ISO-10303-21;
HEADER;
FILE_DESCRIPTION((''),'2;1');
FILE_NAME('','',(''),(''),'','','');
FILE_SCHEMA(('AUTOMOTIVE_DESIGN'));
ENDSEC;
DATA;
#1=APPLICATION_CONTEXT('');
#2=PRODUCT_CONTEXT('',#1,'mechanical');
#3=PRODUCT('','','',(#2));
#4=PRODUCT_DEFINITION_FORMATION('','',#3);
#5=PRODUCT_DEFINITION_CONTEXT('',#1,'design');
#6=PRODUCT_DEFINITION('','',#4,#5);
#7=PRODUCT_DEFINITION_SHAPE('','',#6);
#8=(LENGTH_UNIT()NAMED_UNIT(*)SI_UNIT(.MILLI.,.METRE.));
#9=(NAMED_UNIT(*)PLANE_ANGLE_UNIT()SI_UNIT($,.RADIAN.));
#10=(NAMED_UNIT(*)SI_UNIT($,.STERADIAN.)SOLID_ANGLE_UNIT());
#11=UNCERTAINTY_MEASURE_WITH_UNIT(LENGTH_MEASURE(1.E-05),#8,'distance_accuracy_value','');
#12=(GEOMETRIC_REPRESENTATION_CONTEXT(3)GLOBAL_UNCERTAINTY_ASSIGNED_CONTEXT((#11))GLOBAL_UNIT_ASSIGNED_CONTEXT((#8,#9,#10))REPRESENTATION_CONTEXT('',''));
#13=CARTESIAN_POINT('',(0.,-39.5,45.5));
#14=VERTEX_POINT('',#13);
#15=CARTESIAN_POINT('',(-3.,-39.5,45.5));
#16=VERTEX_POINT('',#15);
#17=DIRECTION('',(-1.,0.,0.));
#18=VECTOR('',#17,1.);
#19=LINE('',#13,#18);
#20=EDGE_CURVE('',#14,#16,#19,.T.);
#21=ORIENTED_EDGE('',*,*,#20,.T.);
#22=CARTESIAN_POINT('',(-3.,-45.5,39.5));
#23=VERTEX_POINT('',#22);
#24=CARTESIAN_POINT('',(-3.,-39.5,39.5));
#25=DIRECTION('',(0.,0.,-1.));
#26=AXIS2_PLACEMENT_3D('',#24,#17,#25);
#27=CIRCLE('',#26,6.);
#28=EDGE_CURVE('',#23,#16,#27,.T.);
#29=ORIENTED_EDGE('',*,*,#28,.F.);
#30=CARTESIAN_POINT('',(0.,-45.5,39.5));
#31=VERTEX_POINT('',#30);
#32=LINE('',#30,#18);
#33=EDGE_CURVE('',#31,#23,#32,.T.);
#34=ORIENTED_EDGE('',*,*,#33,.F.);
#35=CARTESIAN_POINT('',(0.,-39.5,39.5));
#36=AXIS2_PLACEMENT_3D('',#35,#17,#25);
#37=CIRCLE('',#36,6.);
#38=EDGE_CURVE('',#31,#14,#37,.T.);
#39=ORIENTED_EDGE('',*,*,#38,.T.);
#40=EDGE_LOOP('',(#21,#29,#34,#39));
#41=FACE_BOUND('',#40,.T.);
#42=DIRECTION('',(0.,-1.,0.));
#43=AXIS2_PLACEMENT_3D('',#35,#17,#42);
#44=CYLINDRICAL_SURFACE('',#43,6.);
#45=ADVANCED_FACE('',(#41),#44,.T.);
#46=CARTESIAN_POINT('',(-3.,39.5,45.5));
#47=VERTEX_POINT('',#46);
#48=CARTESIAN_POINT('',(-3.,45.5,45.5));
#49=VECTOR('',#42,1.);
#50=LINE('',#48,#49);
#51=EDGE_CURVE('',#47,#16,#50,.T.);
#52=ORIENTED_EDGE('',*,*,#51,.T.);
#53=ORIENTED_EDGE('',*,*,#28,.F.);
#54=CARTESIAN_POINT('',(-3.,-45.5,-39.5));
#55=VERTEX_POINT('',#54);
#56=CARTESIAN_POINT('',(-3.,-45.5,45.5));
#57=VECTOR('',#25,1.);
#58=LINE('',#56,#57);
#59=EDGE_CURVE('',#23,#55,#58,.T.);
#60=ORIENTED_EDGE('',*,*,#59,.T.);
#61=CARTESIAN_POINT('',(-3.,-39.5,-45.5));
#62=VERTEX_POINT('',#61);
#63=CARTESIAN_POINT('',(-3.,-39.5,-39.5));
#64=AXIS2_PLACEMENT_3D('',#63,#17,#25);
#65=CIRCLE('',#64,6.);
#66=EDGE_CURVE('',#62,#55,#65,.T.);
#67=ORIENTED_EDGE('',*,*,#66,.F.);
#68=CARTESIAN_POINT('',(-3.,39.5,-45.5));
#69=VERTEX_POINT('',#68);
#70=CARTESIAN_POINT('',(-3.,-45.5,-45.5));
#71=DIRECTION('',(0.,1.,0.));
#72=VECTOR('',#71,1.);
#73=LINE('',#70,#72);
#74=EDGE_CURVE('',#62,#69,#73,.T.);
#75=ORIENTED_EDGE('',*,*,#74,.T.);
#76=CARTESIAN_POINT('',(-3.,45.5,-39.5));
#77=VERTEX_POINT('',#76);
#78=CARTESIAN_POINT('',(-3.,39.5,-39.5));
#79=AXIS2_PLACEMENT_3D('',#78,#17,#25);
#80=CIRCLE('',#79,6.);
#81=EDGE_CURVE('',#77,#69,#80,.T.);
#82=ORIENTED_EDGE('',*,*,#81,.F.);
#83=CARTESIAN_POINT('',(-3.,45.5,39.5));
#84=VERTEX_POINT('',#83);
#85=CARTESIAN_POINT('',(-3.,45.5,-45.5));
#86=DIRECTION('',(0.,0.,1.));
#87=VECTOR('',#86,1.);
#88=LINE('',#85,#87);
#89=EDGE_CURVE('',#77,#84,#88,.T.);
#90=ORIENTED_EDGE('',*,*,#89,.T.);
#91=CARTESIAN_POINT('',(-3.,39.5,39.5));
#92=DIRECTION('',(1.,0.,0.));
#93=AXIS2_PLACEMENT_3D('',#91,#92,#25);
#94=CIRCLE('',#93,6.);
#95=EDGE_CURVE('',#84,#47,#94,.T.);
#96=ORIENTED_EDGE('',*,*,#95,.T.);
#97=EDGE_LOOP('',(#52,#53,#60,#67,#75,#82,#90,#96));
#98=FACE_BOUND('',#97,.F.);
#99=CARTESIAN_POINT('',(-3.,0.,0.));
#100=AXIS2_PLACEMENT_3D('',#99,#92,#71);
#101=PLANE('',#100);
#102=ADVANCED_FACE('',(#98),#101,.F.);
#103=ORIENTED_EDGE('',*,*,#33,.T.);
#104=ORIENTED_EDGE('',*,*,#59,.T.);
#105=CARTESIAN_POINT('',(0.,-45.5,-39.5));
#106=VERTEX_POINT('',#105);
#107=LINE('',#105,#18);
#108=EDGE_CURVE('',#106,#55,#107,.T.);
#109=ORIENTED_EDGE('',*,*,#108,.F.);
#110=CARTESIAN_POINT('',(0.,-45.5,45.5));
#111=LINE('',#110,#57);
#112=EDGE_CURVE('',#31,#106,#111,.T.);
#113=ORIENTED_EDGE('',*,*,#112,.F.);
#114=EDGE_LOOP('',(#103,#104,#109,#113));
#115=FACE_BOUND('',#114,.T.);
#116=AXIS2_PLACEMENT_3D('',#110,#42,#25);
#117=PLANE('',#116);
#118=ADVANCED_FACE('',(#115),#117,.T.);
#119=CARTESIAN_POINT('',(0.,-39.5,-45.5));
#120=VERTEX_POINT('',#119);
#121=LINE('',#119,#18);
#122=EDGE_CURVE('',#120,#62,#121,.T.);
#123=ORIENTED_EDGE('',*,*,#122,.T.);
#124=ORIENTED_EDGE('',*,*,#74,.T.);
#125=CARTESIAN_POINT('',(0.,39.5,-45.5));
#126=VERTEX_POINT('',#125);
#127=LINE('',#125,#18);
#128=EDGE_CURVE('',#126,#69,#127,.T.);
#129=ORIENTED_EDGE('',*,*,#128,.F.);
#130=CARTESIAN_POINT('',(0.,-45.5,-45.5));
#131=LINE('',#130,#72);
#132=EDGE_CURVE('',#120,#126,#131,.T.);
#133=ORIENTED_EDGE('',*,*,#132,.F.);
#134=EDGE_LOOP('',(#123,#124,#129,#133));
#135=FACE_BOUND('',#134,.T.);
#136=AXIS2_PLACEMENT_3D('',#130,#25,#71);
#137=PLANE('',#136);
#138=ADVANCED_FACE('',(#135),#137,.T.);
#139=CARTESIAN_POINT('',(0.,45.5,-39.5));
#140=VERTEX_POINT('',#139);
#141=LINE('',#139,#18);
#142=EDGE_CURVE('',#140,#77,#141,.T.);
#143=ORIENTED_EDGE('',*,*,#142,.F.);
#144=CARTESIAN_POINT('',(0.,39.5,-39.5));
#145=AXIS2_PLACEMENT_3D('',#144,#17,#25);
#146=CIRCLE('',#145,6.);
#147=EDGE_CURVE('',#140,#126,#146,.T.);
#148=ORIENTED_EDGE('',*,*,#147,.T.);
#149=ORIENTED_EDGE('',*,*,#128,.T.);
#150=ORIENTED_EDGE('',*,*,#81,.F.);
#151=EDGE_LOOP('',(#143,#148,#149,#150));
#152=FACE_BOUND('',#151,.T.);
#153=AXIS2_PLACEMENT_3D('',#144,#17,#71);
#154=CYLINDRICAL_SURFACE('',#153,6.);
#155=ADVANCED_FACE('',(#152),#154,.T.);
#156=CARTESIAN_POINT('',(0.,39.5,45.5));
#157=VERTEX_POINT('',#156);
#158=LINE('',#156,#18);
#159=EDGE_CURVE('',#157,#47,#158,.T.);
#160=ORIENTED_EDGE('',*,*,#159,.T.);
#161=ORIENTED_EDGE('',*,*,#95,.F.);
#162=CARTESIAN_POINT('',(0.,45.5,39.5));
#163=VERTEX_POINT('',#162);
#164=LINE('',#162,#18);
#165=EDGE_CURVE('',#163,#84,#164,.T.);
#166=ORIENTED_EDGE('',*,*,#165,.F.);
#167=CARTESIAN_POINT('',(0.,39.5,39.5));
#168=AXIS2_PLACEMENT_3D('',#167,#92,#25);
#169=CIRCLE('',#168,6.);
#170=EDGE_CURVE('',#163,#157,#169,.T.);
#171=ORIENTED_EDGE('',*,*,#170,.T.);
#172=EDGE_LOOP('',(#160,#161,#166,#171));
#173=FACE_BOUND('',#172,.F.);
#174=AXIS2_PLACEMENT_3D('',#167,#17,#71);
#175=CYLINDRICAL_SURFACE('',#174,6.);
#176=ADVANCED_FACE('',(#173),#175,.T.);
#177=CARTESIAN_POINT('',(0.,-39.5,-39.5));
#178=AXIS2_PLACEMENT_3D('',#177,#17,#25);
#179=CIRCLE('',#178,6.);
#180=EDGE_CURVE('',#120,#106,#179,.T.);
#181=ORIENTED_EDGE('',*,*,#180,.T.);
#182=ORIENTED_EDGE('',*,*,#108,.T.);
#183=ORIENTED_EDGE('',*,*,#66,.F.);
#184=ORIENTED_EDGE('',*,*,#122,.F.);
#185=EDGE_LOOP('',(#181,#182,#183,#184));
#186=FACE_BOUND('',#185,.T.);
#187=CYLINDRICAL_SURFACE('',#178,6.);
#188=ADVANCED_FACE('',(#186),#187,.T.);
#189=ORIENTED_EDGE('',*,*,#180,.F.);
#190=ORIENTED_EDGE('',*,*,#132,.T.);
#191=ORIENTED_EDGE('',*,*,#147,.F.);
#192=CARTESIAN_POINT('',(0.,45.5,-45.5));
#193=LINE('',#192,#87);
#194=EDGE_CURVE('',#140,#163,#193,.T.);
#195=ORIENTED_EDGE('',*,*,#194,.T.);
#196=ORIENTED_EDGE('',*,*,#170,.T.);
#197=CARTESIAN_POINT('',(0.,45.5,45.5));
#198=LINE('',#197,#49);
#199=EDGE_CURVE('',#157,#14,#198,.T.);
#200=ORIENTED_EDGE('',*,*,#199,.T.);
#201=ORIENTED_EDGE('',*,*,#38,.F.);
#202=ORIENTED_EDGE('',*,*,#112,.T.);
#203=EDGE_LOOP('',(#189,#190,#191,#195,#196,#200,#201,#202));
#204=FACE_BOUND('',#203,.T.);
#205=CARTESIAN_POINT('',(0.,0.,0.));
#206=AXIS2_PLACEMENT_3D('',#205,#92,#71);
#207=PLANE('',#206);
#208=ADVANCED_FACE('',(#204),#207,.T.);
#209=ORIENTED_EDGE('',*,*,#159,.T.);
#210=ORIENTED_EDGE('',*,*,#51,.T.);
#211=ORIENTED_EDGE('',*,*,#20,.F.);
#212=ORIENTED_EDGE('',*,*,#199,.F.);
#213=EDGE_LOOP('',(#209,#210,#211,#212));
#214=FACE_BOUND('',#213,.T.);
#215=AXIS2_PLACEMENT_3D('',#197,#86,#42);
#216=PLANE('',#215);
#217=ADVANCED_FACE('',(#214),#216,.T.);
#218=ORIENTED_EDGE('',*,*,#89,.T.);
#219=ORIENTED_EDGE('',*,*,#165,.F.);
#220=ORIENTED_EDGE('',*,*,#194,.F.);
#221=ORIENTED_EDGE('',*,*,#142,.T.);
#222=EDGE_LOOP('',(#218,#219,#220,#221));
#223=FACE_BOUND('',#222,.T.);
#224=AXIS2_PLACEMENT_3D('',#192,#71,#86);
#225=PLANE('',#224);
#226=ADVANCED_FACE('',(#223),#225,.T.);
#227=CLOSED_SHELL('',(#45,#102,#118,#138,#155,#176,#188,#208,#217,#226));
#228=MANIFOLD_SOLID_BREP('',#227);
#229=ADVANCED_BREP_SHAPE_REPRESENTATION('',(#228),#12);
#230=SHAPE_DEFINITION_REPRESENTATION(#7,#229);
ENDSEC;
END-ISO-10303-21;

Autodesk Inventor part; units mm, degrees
ref_plane "YZ Plane" through (0, 0, 0) normal (1, 0, 0) x (0, 1, 0)
ref_plane "XZ Plane" through (0, 0, 0) normal (0, 1, 0) x (-1, 0, 0)
ref_plane "XY Plane" through (0, 0, 0) normal (0, 0, 1) x (1, 0, 0)
sketch "Náčrt2" plane through (0, 0, 0) normal (1, 0, 0) x (0, 1, 0)
  line L0 (45.5, 45.5) -> (-45.5, 45.5)
  line L1 (-45.5, -45.5) -> (45.5, -45.5)
  line L2 (45.5, -45.5) -> (45.5, 45.5)
  line L3 (-45.5, 45.5) -> (-45.5, -45.5)
  point P0 (-45.5, 0)
  point P1 (0, 0)
  point P2 (0, 45.5)
  dimension "d1" = 91
  dimension "d62" = 91
extrude "Vysunutí1" add sketch "Náčrt2" against normal blind 3
fillet "Zaoblení1" radius 6 4 edges at (-1.5, -45.5, -45.5) (-1.5, 45.5, -45.5) (-1.5, -45.5, 45.5) (-1.5, 45.5, 45.5)
equation "\"d62\" = d1"
equation "\"PoloměrOhybu\" = Tloušťka"
equation "\"ŠířkaVýštipu\" = Tloušťka"
equation "\"HloubkaVýštipu\" = 0.5 * Tloušťka"
equation "\"VelikostRohovéhoVýštipu\" = 4 * Tloušťka"
equation "\"MinimálníZbytek\" = 2 * Tloušťka"
equation "\"PřechodovýPoloměr\" = PoloměrOhybu"
equation "\"VelikostJacobihoPoloměru\" = PoloměrOhybu"
equation "\"VelikostMezery\" = Tloušťka"
equation "\"Tloušťka\" = 3"
properties part number "DD_KVD_003_09_B" material "Nerezová ocel"
